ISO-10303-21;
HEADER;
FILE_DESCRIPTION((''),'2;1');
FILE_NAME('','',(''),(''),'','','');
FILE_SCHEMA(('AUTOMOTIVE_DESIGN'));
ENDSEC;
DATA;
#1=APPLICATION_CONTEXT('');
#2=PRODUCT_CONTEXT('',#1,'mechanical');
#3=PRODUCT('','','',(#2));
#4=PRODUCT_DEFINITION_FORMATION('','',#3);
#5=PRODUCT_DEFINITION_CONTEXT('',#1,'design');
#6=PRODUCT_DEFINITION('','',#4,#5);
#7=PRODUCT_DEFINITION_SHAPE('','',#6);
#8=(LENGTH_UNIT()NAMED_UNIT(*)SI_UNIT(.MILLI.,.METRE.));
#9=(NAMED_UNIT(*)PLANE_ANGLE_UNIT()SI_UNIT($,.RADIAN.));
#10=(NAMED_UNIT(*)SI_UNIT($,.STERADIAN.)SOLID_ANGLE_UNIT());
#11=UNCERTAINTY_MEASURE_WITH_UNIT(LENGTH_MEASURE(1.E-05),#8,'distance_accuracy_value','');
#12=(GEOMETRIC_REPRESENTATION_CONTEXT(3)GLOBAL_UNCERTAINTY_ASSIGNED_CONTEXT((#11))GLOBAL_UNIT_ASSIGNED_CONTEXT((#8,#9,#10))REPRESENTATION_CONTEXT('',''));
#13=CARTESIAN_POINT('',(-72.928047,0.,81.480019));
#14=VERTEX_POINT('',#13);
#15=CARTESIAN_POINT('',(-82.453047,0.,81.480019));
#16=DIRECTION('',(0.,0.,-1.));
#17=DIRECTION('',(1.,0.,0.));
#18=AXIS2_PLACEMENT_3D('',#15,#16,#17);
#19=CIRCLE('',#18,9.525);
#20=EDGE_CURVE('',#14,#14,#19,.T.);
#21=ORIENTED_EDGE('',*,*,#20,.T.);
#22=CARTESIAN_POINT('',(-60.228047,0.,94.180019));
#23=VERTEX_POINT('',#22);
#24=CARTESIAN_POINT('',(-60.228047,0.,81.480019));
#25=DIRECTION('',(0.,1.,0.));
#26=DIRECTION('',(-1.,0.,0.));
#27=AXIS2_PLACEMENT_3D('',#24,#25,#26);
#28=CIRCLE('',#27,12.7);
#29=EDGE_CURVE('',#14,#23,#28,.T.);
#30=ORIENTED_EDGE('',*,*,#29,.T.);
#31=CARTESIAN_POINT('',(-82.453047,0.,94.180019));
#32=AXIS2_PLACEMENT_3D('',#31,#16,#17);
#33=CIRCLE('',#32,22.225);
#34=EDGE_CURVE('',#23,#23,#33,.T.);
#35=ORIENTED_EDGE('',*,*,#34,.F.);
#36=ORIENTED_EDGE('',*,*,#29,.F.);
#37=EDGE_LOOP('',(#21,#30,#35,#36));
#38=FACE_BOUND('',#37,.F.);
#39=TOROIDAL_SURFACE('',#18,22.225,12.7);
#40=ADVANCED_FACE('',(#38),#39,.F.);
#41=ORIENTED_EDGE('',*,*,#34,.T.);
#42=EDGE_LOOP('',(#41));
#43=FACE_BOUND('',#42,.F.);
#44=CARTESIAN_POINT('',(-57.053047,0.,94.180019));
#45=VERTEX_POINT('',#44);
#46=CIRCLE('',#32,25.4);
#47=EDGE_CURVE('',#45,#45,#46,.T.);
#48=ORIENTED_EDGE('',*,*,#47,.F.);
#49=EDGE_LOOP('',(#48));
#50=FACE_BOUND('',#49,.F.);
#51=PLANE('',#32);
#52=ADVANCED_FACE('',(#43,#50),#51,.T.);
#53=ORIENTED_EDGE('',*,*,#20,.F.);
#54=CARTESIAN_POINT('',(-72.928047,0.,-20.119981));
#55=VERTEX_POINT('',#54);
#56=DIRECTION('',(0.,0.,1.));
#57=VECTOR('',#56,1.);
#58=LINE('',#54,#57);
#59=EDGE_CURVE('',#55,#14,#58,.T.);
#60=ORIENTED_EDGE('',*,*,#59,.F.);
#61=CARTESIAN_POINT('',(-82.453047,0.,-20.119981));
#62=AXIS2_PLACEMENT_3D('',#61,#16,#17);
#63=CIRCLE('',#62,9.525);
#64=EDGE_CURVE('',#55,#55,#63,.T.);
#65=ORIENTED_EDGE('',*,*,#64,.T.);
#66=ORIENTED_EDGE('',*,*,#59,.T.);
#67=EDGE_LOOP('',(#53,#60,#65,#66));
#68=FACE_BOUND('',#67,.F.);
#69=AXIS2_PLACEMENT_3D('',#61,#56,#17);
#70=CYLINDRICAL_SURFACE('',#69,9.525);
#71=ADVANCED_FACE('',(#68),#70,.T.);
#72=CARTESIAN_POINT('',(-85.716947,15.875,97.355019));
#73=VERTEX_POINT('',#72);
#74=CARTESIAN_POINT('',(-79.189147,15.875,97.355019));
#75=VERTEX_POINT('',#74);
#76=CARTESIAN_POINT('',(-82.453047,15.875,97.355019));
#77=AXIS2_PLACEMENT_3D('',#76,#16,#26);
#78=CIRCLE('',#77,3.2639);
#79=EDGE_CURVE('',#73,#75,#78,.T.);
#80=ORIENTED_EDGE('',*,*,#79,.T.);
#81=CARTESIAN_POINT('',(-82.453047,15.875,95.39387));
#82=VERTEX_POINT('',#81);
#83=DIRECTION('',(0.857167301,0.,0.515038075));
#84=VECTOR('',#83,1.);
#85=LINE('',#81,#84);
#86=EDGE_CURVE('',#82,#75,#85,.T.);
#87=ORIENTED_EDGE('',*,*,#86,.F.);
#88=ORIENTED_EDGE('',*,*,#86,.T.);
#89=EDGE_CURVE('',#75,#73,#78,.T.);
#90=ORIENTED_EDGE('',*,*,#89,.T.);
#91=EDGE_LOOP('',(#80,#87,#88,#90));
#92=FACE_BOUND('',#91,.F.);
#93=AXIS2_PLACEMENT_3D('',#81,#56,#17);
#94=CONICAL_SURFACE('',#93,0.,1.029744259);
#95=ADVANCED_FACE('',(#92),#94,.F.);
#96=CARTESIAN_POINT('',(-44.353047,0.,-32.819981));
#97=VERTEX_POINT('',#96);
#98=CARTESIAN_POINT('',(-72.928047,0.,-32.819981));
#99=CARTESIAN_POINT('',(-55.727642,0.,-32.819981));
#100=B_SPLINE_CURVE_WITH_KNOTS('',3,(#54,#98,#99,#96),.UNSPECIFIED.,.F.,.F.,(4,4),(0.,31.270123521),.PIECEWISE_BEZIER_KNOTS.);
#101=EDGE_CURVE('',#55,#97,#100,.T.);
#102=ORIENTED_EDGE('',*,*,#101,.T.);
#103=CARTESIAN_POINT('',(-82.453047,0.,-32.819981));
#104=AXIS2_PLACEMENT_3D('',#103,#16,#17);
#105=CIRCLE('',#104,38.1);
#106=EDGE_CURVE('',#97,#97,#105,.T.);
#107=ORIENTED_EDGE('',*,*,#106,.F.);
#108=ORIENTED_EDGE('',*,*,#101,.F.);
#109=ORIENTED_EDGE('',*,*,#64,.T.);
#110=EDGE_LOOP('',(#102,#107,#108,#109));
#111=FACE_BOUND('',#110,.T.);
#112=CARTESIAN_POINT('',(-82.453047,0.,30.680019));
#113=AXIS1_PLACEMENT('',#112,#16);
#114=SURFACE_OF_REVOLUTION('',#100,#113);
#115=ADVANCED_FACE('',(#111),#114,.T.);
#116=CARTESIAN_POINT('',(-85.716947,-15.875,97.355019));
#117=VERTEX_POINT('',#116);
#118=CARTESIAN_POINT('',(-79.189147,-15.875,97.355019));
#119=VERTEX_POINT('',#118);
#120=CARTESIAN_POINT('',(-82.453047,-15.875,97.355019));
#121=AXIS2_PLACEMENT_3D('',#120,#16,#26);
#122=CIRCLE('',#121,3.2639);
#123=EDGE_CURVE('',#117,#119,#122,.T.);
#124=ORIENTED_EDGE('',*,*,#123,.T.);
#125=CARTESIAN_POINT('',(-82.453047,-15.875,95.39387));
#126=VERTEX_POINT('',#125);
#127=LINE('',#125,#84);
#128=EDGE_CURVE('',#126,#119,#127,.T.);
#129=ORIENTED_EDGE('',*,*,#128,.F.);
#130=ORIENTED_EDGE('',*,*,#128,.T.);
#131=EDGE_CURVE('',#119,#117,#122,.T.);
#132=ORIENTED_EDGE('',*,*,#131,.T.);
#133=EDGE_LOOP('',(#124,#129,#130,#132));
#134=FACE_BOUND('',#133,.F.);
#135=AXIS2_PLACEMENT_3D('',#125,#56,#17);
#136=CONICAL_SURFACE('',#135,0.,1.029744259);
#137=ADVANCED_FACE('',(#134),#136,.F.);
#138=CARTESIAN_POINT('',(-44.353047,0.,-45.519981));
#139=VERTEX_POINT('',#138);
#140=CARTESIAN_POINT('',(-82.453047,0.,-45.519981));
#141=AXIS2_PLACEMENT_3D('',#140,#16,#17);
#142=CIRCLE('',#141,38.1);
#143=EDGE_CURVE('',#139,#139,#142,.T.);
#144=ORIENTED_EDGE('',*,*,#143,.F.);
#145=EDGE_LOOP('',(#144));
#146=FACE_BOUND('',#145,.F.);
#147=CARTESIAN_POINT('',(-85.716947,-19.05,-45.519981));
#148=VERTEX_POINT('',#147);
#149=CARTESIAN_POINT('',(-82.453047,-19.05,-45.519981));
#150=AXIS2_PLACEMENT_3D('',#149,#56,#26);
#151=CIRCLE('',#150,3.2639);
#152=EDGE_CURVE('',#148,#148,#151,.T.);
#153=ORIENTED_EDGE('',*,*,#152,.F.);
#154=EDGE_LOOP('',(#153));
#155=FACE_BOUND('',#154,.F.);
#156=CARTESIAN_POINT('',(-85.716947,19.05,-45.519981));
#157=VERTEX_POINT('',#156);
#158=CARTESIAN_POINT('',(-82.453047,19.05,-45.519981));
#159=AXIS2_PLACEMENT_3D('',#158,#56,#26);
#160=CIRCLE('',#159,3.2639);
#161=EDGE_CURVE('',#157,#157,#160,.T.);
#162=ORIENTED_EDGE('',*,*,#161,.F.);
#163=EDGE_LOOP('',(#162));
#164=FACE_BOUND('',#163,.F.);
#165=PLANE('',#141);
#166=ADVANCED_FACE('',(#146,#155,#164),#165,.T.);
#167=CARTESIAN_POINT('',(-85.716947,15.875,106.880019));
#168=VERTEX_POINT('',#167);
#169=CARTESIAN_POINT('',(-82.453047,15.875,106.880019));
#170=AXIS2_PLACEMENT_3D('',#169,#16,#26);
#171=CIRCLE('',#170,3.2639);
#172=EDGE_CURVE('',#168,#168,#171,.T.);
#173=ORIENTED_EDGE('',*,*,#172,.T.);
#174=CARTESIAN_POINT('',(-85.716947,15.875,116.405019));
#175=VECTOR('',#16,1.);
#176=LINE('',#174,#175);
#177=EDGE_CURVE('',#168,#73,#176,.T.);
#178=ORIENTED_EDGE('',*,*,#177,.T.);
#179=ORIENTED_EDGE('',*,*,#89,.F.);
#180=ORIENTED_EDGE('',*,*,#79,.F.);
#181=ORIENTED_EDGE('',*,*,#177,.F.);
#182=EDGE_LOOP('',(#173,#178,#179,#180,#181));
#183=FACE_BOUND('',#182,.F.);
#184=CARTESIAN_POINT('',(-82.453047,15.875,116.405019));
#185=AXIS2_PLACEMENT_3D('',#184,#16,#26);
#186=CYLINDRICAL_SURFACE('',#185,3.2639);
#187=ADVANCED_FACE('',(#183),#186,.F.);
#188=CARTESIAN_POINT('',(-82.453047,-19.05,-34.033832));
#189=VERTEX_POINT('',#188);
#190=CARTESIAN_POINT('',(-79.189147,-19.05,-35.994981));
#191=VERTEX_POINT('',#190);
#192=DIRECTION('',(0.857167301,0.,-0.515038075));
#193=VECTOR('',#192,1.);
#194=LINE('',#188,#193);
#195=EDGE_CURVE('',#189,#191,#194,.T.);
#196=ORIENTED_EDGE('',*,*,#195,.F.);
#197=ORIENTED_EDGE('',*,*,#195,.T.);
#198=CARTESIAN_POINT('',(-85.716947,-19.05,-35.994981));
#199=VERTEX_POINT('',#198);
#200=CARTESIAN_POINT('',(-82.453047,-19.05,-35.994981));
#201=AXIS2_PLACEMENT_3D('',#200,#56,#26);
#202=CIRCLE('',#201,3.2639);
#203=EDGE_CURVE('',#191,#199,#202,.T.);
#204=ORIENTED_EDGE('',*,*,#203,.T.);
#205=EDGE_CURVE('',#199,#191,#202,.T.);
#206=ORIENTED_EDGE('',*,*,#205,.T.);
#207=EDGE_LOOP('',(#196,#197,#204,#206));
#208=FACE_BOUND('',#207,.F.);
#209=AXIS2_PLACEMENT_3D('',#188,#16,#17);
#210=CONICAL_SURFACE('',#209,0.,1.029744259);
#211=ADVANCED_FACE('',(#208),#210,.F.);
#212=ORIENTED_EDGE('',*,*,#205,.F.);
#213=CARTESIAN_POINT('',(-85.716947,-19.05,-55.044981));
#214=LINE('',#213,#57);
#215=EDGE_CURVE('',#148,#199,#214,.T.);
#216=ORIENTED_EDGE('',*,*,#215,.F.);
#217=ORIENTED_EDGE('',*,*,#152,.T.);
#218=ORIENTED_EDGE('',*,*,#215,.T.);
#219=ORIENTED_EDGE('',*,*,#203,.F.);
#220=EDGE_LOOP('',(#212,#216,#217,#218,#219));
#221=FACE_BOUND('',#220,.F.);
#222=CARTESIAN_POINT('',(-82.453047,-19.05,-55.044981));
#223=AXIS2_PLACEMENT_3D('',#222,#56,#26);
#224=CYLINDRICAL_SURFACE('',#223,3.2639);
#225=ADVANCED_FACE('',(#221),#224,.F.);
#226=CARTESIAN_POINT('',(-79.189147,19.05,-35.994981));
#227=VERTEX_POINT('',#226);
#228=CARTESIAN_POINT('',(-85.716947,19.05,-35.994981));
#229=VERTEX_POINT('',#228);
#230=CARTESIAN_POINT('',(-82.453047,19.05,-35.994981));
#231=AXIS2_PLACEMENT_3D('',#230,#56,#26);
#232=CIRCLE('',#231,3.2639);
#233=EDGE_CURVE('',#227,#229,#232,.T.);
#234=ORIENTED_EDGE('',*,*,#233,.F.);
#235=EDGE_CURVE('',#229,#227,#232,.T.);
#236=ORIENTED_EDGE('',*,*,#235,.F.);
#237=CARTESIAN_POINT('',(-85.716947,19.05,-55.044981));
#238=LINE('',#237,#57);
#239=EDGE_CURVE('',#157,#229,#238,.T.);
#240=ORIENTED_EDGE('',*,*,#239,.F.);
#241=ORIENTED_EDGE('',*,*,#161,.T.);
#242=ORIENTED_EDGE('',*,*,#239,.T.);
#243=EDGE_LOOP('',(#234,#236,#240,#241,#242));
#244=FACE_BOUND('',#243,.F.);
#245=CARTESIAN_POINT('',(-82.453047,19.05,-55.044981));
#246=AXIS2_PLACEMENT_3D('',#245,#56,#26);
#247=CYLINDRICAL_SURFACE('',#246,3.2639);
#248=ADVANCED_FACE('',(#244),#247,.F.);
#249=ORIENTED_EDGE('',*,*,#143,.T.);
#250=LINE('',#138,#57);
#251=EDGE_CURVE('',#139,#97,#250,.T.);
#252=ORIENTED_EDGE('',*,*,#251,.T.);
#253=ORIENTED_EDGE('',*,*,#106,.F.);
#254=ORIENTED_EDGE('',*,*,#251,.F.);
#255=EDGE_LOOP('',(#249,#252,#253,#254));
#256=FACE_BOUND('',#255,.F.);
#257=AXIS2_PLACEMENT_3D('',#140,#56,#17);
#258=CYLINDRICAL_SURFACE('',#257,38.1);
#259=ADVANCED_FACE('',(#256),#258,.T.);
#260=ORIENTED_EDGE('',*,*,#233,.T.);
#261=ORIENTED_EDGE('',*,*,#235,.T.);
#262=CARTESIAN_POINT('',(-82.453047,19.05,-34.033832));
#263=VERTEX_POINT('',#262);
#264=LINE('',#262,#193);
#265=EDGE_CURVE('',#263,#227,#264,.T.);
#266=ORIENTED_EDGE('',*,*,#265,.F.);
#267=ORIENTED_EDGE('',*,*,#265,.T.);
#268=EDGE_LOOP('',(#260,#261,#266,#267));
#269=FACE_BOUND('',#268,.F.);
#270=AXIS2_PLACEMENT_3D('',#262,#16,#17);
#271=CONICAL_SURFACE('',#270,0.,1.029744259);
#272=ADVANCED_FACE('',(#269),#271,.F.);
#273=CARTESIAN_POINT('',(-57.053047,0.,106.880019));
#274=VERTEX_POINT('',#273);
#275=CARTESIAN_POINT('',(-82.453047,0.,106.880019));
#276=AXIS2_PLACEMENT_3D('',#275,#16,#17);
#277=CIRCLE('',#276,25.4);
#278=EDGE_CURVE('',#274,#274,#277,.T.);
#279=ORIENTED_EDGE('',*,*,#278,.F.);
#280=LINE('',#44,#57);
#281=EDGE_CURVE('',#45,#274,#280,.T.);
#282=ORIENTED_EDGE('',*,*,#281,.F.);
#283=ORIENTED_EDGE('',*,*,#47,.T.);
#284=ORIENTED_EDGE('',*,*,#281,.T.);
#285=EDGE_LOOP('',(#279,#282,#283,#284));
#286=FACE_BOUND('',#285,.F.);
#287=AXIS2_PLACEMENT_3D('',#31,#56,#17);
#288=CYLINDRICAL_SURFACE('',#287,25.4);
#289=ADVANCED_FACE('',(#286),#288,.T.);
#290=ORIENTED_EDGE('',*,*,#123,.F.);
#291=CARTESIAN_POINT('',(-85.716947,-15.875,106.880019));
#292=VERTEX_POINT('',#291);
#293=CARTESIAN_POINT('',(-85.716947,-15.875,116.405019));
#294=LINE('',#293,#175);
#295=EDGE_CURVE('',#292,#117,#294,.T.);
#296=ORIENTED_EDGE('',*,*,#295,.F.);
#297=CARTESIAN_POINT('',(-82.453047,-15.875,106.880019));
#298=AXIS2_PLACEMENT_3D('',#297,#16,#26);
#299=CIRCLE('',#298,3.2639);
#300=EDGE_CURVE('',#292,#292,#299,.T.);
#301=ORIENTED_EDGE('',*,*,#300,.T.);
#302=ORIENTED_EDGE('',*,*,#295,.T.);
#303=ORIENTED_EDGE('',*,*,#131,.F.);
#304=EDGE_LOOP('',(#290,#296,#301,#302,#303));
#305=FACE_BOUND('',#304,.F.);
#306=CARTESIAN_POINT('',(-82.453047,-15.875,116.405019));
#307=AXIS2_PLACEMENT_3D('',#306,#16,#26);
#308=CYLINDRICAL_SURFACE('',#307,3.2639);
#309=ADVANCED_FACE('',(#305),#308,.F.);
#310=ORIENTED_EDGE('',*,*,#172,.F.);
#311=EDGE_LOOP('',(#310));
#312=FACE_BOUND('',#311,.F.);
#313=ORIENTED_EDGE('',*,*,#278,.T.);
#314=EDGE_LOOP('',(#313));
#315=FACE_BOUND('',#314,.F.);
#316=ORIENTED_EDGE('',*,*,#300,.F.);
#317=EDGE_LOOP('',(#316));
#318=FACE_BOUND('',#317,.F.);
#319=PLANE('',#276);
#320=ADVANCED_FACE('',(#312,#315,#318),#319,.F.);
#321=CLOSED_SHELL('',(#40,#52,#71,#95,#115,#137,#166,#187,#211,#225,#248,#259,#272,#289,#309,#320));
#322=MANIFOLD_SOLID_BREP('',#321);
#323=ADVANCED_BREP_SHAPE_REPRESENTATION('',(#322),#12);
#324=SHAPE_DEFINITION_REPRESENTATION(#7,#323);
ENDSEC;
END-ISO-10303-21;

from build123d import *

# Parameters (mm, degrees)
F3_D     = 6.5278
F3_DEPTH = 9.525
F3_TIP   = 1.9611489744
F5_D     = 6.5278
F5_DEPTH = 9.525
F5_TIP   = 1.9611489744


with BuildPart() as f1:
    # F0 (on Front) → F1 (revolve)
    with BuildSketch(Plane.XZ):
        with BuildLine():
            Line((-57.0530471623, 106.8800194085), (-82.4530471623, 106.8800194085))
            Line((-82.4530471623, 106.8800194085), (-82.4530471623, -45.5199805915))
            Line((-82.4530471623, -45.5199805915), (-44.3530471623, -45.5199805915))
            Line((-44.3530471623, -45.5199805915), (-44.3530471623, -32.8199805915))
            add(Edge.make_bspline(
                [(-72.9280471623, -20.1199805915), (-72.9280471623, -32.8199805915), (-55.7276420295, -32.8199805915), (-44.3530471623, -32.8199805915)],
                knots=[0, 0, 0, 0, 31.2701235207, 31.2701235207, 31.2701235207, 31.2701235207], degree=3))
            Line((-72.9280471623, -20.1199805915), (-72.9280471623, 81.4800194085))
            ThreePointArc((-72.9280471623, 81.4800194085), (-69.2083032834, 90.4602755295), (-60.2280471623, 94.1800194085))
            Line((-60.2280471623, 94.1800194085), (-57.0530471623, 94.1800194085))
            Line((-57.0530471623, 94.1800194085), (-57.0530471623, 106.8800194085))
        make_face()
    revolve(axis=Axis((-82.4530471623, 0, 30.6800194085), (0, 0, -1)))

    # F3
    with Locations(Plane.XY.offset(106.8800194085)):
        with Locations((-82.4530471623, 15.875), (-82.4530471623, -15.875)):
            Hole(F3_D / 2, depth=F3_DEPTH)
            with Locations((0, 0, -(F3_DEPTH + F3_TIP / 2))):  # 118° drill point
                Cone(0, F3_D / 2, F3_TIP, mode=Mode.SUBTRACT)

    # F5
    with Locations(Plane(origin=(0, 0, -45.5199805915), x_dir=(1, 0, 0), z_dir=(0, 0, -1))):
        with Locations((-82.4530471623, 19.05), (-82.4530471623, -19.05)):
            Hole(F5_D / 2, depth=F5_DEPTH)
            with Locations((0, 0, -(F5_DEPTH + F5_TIP / 2))):  # 118° drill point
                Cone(0, F5_D / 2, F5_TIP, mode=Mode.SUBTRACT)


solid = f1.part
